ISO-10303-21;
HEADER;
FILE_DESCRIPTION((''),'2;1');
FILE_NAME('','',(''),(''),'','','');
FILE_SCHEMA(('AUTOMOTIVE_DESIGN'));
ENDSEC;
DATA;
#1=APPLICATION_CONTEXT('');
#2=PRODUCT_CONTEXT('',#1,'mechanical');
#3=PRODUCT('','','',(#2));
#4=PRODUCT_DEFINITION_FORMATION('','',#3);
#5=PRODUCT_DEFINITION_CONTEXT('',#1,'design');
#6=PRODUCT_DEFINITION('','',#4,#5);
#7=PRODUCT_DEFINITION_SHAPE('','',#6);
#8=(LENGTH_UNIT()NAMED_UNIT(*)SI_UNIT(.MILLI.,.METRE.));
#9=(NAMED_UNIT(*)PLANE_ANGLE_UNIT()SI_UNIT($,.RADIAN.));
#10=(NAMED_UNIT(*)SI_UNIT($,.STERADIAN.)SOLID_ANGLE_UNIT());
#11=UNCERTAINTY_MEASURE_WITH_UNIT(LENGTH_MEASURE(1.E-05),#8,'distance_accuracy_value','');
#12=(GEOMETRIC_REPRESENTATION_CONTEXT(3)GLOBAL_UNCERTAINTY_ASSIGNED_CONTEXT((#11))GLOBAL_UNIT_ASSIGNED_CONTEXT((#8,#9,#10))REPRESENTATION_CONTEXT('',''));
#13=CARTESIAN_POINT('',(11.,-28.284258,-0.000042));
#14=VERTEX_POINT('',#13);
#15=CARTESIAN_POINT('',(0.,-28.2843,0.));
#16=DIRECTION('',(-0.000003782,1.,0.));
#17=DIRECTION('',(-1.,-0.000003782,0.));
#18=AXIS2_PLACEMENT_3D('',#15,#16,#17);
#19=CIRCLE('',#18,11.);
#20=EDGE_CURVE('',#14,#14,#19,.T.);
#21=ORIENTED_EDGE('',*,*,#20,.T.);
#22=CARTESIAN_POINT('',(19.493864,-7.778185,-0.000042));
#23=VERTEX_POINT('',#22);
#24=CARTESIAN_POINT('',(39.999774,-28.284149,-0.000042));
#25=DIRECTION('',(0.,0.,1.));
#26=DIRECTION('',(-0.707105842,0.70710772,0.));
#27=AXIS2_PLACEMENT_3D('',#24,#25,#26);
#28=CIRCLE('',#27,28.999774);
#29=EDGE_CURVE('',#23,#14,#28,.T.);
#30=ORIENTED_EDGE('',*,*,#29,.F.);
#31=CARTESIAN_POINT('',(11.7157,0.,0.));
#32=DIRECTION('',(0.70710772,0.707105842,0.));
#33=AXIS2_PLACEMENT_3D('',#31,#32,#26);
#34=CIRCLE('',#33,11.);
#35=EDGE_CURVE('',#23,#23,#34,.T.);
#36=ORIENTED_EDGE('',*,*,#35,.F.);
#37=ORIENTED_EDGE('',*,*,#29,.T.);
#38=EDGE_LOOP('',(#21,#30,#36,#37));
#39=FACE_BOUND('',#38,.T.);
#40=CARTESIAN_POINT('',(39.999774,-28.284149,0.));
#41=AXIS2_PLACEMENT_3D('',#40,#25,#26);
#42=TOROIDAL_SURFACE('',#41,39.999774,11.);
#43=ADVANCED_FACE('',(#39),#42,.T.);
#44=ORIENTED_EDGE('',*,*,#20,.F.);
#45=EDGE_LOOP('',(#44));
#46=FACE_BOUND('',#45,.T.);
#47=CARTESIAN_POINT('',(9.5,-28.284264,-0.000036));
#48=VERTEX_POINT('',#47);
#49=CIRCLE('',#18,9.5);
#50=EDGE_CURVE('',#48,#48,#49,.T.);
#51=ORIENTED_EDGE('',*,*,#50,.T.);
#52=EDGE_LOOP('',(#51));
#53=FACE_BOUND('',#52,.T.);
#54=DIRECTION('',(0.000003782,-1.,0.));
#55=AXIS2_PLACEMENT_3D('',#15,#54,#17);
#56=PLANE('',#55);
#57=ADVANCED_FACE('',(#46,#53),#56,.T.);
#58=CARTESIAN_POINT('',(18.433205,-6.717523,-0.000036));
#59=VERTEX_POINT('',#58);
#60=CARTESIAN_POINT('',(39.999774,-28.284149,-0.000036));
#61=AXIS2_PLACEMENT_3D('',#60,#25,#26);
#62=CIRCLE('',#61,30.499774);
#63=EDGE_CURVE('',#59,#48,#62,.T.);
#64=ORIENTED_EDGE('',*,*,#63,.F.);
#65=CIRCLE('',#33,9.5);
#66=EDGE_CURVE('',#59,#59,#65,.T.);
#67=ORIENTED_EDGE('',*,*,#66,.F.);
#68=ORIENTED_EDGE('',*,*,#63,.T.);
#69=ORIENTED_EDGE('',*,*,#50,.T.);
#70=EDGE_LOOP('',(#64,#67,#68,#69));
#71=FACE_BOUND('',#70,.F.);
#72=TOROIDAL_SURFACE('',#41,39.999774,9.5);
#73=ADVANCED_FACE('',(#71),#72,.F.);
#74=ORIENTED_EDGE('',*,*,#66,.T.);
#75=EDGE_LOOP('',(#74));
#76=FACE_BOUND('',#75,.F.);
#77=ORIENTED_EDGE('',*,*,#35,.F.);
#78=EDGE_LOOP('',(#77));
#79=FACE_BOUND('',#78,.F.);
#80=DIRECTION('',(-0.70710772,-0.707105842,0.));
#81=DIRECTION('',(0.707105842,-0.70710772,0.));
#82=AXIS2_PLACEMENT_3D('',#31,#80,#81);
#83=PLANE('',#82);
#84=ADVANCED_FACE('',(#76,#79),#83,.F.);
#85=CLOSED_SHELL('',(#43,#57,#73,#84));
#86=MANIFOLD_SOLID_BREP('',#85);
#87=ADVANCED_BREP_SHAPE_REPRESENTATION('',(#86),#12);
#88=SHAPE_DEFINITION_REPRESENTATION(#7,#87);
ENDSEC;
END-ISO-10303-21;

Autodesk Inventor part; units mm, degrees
ref_plane "YZ Plane" through (0, 0, 0) normal (1, 0, 0) x (0, 1, 0)
ref_plane "XZ Plane" through (0, 0, 0) normal (0, 1, 0) x (-1, 0, 0)
sketch "Szkic6" plane through (0, 0, 0) normal (0, 0, 1) x (1, 0, 0)
  line L0 (-15.6067, 0) -> (49.2678, 0) construction
  line L1 (0, 27.3224) -> (0, -37.5521) construction
  arc A0 (11.7157, 0) -> (0, -28.2843) centre (40, -28.2843) ccw
  line L2 (0, -28.2843) -> (40, -28.2843) construction
  line L3 (40, -28.2843) -> (-6.3389, 18.0546) construction
  line L4 (11.7157, 0) -> (11.7157, 0)
  line L5 (0, -28.2843) -> (0, -28.2843)
  point P0 (0, 0)
  dimension "d24" = 40
  dimension "d31" = 45
  dimension "d36" = 0
  dimension "d37" = 0
ref_plane "Płaszczyzna konstrukcyjna2" through (0, -28.2843, 0) normal (0, -1, 0) x (1, 0, 0)
sketch "Szkic8" plane through (0, -28.2843, 0) normal (0, -1, 0) x (1, 0, 0)
  circle A0 centre (0, 0) radius 11
  circle A1 centre (0, 0) radius 9.5
  dimension "d32" = 22
  dimension "d33" = 1.5
sweep "Przeciągnięcie2" add profiles "Szkic8" path "Szkic6"
equation "\"d32\" = OD"
equation "\"d33\" = THK"
equation "\"d24\" = R"
equation "\"d31\" = KAT"
equation "\"SzerokośćGięciaPodcięcia\" = Grubość"
equation "\"RozmiarPodcięciaNarożnika\" = 4 * Grubość"
equation "\"PromieńPrzejścia\" = PromieńGięcia"
equation "\"Rozmiar_promienia_Jacobiego\" = PromieńGięcia"
equation "\"Wielk_odstępu\" = Grubość"
equation "\"d2\" = PromieńGięcia"
equation "\"d23\" = PromieńGięcia"
equation "\"R\" = 40"
equation "\"OD\" = 22"
equation "\"THK\" = 1.5"
equation "\"KAT\" = 45deg"
equation "\"PROSTKA\" = 0"
equation "\"Grubość\" = 1.5"
equation "\"PromieńGięcia\" = 3"
properties part number "Kolano 45° ø22x1,5 R40" material "304L"
